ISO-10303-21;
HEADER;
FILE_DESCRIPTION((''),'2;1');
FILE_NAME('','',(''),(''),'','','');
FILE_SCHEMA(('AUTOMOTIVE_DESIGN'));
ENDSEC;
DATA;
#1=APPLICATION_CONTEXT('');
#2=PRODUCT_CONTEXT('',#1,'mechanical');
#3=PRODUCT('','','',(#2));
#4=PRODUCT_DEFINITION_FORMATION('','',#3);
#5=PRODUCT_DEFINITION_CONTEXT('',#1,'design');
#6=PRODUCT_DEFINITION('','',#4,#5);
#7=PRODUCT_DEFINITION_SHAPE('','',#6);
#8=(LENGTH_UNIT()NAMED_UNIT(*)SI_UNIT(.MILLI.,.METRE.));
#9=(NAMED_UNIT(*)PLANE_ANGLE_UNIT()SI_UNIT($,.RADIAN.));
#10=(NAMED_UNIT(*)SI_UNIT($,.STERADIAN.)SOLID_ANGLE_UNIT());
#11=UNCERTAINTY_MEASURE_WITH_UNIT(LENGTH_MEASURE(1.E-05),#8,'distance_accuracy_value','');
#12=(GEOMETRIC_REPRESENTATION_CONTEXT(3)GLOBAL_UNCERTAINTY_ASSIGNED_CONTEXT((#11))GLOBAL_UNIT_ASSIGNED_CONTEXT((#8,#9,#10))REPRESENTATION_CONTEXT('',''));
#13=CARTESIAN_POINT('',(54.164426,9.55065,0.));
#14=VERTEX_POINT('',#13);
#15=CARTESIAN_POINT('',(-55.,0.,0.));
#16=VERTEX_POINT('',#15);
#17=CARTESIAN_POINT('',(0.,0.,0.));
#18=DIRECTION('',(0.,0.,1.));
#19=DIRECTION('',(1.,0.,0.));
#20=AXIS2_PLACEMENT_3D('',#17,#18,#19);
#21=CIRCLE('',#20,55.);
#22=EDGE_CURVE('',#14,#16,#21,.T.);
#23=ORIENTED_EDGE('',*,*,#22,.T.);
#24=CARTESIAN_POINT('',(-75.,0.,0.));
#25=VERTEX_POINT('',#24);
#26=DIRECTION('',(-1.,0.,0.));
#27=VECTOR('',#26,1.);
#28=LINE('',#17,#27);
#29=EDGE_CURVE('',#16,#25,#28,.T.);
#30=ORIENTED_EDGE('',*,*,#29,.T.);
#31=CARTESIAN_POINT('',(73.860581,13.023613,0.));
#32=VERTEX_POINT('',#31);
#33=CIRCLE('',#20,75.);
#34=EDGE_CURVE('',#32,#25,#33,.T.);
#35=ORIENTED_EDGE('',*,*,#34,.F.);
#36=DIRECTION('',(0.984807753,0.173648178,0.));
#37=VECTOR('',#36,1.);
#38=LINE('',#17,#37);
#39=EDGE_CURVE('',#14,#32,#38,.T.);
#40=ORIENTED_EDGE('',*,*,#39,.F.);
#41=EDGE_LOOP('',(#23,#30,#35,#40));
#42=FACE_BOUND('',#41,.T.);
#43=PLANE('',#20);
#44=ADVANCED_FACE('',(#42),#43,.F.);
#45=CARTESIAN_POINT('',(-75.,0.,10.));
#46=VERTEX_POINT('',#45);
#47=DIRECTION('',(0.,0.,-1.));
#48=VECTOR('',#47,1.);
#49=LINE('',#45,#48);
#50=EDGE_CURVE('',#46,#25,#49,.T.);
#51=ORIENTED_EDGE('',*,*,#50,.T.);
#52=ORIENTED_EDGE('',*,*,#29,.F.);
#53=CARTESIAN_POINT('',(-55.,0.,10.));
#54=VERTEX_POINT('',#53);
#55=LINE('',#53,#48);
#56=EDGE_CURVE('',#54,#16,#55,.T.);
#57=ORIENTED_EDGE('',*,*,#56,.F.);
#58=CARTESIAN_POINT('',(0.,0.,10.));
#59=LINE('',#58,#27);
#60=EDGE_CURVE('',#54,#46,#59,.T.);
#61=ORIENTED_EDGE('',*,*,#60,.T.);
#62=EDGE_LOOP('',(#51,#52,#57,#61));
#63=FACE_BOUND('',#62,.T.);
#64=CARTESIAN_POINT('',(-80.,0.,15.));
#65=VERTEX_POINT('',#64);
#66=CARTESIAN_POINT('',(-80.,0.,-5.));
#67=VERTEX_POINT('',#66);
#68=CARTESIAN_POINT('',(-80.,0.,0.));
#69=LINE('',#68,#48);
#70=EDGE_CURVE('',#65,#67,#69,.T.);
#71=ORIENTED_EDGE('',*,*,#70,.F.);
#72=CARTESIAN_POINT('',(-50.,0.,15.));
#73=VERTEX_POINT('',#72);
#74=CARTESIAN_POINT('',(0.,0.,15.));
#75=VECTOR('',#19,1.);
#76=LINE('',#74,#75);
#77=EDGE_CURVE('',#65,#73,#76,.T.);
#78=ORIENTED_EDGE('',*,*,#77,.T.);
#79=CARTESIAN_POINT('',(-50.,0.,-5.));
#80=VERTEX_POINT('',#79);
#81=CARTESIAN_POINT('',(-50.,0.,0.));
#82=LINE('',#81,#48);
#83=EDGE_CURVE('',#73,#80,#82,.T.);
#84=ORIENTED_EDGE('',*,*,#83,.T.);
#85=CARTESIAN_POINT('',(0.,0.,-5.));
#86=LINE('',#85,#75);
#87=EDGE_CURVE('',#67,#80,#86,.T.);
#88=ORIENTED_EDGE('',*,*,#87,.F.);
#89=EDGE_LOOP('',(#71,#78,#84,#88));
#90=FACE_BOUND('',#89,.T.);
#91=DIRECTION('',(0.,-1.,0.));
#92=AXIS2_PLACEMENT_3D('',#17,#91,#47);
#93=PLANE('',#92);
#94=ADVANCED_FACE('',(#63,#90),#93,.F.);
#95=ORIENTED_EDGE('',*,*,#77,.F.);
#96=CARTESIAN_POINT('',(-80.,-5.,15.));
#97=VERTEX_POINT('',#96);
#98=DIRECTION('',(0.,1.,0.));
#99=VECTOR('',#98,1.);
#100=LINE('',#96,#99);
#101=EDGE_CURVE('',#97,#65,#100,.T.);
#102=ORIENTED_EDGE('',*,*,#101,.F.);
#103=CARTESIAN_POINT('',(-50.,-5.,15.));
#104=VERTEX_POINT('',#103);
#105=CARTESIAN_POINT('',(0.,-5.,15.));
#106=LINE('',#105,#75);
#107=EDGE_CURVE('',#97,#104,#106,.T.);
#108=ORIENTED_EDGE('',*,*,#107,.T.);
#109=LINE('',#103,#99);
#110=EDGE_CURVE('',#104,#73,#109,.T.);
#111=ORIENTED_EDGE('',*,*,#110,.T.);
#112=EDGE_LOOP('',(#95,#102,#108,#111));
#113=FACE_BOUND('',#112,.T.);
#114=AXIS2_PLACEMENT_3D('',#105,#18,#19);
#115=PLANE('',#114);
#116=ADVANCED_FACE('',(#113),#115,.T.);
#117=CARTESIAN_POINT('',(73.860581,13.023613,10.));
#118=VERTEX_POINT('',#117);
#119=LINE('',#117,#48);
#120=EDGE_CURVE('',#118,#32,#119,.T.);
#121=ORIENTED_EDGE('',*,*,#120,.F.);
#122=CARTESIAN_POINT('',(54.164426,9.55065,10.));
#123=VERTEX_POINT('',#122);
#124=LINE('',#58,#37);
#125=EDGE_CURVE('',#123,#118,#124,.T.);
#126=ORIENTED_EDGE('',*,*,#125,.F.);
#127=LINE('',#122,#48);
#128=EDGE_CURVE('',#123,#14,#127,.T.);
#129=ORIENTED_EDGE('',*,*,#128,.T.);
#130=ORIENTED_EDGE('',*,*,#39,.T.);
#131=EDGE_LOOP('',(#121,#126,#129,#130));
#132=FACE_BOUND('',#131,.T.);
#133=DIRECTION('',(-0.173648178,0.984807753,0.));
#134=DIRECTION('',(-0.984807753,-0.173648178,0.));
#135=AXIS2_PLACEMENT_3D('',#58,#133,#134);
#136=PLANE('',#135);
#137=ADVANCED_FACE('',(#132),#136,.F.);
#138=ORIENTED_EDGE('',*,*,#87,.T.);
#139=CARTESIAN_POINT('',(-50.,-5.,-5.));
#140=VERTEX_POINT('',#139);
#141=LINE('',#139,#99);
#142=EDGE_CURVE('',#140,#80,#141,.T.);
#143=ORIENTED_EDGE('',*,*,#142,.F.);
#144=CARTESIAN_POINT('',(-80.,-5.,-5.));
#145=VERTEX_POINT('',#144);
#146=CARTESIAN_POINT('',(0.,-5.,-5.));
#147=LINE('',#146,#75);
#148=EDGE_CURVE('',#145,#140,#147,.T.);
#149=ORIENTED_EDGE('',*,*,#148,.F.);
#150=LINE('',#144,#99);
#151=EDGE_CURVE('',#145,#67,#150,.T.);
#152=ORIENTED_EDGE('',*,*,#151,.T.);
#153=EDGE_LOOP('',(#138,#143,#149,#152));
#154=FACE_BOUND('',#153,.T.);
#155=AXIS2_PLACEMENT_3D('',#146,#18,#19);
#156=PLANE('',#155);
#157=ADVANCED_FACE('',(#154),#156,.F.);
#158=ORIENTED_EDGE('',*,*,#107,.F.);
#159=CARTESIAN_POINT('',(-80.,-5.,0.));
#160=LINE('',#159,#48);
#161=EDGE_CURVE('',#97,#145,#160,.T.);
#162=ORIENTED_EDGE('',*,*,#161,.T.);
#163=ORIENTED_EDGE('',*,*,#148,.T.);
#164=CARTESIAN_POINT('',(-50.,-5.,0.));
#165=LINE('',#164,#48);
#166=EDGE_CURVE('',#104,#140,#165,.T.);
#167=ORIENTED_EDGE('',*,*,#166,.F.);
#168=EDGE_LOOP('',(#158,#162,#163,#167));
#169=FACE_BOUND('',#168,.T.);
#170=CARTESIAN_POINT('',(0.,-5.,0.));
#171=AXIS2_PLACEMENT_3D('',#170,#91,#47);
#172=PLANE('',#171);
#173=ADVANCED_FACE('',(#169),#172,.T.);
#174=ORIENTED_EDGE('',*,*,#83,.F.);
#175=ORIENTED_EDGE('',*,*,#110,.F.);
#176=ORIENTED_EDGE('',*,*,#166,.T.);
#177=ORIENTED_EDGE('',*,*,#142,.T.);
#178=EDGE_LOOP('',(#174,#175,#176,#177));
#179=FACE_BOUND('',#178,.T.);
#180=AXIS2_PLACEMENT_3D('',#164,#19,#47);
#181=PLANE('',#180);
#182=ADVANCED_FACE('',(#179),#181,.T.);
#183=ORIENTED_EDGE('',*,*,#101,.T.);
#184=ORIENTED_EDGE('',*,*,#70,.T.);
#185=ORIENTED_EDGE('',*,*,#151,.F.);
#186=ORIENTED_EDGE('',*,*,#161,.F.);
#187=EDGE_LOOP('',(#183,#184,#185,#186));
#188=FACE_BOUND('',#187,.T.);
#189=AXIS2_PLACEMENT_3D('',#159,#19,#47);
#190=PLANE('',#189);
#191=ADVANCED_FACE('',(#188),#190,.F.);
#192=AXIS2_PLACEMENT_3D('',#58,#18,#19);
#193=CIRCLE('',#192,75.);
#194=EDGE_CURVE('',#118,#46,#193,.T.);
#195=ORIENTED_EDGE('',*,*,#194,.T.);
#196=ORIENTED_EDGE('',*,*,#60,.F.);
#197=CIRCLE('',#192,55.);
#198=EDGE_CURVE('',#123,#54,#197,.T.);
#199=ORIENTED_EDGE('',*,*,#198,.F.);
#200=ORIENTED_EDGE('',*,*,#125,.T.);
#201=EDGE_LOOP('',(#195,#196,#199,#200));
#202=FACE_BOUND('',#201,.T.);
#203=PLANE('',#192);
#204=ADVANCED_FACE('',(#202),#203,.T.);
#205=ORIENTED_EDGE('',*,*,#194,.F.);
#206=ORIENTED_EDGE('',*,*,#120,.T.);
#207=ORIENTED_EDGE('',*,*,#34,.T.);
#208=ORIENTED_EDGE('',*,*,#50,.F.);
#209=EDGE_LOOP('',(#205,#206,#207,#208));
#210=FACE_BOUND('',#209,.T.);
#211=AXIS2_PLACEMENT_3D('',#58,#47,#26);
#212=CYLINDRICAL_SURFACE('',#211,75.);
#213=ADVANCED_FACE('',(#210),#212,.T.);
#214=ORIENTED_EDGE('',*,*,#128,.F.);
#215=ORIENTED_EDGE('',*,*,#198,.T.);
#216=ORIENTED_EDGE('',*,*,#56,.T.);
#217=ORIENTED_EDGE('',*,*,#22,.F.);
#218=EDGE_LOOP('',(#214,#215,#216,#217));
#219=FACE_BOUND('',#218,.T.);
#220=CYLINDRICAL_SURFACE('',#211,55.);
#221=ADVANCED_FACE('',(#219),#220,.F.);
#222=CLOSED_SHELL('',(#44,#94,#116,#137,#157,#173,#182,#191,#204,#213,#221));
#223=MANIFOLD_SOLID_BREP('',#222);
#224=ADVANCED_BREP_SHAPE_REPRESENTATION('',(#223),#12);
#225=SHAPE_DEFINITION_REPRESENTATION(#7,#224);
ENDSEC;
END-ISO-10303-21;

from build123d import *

# Parameters (mm, degrees)
BOSS_EXTRUDE1_DEPTH = 10
SKETCH2_W           = 30
SKETCH2_H           = 20
SKETCH2_W_2         = 20
SKETCH2_H_2         = 10
BOSS_EXTRUDE2_DEPTH = 5


with BuildPart() as part:
    # Sketch1 → Boss-Extrude1 (new body)
    with BuildSketch(Plane.XY):
        with BuildLine():
            Line((-75, 0), (-55, 0))
            ThreePointArc((-55, 0), (-4.793565851, 54.790708395), (54.164426416, 9.550649772))
            Line((54.164426416, 9.550649772), (73.860581476, 13.023613325))
            ThreePointArc((73.860581476, 13.023613325), (-6.536680706, 74.714602357), (-75, 0))
        make_face()
    extrude(amount=BOSS_EXTRUDE1_DEPTH)

    # Sketch2 → Boss-Extrude2 (add)
    with BuildSketch(Plane.XZ):
        with Locations((-65, 5)):
            Rectangle(SKETCH2_W, SKETCH2_H)
        with Locations((-65, 5)):
            Rectangle(SKETCH2_W_2, SKETCH2_H_2, mode=Mode.SUBTRACT)
        Polygon((-65, 5), (-75, 10), (-75, 0), align=None)
        Polygon((-55, 10), (-75, 10), (-65, 5), align=None)
        Polygon((-55, 10), (-65, 5), (-55, 0), align=None)
        Polygon((-55, 0), (-65, 5), (-75, 0), align=None)
    extrude(amount=BOSS_EXTRUDE2_DEPTH)


solid = part.part
